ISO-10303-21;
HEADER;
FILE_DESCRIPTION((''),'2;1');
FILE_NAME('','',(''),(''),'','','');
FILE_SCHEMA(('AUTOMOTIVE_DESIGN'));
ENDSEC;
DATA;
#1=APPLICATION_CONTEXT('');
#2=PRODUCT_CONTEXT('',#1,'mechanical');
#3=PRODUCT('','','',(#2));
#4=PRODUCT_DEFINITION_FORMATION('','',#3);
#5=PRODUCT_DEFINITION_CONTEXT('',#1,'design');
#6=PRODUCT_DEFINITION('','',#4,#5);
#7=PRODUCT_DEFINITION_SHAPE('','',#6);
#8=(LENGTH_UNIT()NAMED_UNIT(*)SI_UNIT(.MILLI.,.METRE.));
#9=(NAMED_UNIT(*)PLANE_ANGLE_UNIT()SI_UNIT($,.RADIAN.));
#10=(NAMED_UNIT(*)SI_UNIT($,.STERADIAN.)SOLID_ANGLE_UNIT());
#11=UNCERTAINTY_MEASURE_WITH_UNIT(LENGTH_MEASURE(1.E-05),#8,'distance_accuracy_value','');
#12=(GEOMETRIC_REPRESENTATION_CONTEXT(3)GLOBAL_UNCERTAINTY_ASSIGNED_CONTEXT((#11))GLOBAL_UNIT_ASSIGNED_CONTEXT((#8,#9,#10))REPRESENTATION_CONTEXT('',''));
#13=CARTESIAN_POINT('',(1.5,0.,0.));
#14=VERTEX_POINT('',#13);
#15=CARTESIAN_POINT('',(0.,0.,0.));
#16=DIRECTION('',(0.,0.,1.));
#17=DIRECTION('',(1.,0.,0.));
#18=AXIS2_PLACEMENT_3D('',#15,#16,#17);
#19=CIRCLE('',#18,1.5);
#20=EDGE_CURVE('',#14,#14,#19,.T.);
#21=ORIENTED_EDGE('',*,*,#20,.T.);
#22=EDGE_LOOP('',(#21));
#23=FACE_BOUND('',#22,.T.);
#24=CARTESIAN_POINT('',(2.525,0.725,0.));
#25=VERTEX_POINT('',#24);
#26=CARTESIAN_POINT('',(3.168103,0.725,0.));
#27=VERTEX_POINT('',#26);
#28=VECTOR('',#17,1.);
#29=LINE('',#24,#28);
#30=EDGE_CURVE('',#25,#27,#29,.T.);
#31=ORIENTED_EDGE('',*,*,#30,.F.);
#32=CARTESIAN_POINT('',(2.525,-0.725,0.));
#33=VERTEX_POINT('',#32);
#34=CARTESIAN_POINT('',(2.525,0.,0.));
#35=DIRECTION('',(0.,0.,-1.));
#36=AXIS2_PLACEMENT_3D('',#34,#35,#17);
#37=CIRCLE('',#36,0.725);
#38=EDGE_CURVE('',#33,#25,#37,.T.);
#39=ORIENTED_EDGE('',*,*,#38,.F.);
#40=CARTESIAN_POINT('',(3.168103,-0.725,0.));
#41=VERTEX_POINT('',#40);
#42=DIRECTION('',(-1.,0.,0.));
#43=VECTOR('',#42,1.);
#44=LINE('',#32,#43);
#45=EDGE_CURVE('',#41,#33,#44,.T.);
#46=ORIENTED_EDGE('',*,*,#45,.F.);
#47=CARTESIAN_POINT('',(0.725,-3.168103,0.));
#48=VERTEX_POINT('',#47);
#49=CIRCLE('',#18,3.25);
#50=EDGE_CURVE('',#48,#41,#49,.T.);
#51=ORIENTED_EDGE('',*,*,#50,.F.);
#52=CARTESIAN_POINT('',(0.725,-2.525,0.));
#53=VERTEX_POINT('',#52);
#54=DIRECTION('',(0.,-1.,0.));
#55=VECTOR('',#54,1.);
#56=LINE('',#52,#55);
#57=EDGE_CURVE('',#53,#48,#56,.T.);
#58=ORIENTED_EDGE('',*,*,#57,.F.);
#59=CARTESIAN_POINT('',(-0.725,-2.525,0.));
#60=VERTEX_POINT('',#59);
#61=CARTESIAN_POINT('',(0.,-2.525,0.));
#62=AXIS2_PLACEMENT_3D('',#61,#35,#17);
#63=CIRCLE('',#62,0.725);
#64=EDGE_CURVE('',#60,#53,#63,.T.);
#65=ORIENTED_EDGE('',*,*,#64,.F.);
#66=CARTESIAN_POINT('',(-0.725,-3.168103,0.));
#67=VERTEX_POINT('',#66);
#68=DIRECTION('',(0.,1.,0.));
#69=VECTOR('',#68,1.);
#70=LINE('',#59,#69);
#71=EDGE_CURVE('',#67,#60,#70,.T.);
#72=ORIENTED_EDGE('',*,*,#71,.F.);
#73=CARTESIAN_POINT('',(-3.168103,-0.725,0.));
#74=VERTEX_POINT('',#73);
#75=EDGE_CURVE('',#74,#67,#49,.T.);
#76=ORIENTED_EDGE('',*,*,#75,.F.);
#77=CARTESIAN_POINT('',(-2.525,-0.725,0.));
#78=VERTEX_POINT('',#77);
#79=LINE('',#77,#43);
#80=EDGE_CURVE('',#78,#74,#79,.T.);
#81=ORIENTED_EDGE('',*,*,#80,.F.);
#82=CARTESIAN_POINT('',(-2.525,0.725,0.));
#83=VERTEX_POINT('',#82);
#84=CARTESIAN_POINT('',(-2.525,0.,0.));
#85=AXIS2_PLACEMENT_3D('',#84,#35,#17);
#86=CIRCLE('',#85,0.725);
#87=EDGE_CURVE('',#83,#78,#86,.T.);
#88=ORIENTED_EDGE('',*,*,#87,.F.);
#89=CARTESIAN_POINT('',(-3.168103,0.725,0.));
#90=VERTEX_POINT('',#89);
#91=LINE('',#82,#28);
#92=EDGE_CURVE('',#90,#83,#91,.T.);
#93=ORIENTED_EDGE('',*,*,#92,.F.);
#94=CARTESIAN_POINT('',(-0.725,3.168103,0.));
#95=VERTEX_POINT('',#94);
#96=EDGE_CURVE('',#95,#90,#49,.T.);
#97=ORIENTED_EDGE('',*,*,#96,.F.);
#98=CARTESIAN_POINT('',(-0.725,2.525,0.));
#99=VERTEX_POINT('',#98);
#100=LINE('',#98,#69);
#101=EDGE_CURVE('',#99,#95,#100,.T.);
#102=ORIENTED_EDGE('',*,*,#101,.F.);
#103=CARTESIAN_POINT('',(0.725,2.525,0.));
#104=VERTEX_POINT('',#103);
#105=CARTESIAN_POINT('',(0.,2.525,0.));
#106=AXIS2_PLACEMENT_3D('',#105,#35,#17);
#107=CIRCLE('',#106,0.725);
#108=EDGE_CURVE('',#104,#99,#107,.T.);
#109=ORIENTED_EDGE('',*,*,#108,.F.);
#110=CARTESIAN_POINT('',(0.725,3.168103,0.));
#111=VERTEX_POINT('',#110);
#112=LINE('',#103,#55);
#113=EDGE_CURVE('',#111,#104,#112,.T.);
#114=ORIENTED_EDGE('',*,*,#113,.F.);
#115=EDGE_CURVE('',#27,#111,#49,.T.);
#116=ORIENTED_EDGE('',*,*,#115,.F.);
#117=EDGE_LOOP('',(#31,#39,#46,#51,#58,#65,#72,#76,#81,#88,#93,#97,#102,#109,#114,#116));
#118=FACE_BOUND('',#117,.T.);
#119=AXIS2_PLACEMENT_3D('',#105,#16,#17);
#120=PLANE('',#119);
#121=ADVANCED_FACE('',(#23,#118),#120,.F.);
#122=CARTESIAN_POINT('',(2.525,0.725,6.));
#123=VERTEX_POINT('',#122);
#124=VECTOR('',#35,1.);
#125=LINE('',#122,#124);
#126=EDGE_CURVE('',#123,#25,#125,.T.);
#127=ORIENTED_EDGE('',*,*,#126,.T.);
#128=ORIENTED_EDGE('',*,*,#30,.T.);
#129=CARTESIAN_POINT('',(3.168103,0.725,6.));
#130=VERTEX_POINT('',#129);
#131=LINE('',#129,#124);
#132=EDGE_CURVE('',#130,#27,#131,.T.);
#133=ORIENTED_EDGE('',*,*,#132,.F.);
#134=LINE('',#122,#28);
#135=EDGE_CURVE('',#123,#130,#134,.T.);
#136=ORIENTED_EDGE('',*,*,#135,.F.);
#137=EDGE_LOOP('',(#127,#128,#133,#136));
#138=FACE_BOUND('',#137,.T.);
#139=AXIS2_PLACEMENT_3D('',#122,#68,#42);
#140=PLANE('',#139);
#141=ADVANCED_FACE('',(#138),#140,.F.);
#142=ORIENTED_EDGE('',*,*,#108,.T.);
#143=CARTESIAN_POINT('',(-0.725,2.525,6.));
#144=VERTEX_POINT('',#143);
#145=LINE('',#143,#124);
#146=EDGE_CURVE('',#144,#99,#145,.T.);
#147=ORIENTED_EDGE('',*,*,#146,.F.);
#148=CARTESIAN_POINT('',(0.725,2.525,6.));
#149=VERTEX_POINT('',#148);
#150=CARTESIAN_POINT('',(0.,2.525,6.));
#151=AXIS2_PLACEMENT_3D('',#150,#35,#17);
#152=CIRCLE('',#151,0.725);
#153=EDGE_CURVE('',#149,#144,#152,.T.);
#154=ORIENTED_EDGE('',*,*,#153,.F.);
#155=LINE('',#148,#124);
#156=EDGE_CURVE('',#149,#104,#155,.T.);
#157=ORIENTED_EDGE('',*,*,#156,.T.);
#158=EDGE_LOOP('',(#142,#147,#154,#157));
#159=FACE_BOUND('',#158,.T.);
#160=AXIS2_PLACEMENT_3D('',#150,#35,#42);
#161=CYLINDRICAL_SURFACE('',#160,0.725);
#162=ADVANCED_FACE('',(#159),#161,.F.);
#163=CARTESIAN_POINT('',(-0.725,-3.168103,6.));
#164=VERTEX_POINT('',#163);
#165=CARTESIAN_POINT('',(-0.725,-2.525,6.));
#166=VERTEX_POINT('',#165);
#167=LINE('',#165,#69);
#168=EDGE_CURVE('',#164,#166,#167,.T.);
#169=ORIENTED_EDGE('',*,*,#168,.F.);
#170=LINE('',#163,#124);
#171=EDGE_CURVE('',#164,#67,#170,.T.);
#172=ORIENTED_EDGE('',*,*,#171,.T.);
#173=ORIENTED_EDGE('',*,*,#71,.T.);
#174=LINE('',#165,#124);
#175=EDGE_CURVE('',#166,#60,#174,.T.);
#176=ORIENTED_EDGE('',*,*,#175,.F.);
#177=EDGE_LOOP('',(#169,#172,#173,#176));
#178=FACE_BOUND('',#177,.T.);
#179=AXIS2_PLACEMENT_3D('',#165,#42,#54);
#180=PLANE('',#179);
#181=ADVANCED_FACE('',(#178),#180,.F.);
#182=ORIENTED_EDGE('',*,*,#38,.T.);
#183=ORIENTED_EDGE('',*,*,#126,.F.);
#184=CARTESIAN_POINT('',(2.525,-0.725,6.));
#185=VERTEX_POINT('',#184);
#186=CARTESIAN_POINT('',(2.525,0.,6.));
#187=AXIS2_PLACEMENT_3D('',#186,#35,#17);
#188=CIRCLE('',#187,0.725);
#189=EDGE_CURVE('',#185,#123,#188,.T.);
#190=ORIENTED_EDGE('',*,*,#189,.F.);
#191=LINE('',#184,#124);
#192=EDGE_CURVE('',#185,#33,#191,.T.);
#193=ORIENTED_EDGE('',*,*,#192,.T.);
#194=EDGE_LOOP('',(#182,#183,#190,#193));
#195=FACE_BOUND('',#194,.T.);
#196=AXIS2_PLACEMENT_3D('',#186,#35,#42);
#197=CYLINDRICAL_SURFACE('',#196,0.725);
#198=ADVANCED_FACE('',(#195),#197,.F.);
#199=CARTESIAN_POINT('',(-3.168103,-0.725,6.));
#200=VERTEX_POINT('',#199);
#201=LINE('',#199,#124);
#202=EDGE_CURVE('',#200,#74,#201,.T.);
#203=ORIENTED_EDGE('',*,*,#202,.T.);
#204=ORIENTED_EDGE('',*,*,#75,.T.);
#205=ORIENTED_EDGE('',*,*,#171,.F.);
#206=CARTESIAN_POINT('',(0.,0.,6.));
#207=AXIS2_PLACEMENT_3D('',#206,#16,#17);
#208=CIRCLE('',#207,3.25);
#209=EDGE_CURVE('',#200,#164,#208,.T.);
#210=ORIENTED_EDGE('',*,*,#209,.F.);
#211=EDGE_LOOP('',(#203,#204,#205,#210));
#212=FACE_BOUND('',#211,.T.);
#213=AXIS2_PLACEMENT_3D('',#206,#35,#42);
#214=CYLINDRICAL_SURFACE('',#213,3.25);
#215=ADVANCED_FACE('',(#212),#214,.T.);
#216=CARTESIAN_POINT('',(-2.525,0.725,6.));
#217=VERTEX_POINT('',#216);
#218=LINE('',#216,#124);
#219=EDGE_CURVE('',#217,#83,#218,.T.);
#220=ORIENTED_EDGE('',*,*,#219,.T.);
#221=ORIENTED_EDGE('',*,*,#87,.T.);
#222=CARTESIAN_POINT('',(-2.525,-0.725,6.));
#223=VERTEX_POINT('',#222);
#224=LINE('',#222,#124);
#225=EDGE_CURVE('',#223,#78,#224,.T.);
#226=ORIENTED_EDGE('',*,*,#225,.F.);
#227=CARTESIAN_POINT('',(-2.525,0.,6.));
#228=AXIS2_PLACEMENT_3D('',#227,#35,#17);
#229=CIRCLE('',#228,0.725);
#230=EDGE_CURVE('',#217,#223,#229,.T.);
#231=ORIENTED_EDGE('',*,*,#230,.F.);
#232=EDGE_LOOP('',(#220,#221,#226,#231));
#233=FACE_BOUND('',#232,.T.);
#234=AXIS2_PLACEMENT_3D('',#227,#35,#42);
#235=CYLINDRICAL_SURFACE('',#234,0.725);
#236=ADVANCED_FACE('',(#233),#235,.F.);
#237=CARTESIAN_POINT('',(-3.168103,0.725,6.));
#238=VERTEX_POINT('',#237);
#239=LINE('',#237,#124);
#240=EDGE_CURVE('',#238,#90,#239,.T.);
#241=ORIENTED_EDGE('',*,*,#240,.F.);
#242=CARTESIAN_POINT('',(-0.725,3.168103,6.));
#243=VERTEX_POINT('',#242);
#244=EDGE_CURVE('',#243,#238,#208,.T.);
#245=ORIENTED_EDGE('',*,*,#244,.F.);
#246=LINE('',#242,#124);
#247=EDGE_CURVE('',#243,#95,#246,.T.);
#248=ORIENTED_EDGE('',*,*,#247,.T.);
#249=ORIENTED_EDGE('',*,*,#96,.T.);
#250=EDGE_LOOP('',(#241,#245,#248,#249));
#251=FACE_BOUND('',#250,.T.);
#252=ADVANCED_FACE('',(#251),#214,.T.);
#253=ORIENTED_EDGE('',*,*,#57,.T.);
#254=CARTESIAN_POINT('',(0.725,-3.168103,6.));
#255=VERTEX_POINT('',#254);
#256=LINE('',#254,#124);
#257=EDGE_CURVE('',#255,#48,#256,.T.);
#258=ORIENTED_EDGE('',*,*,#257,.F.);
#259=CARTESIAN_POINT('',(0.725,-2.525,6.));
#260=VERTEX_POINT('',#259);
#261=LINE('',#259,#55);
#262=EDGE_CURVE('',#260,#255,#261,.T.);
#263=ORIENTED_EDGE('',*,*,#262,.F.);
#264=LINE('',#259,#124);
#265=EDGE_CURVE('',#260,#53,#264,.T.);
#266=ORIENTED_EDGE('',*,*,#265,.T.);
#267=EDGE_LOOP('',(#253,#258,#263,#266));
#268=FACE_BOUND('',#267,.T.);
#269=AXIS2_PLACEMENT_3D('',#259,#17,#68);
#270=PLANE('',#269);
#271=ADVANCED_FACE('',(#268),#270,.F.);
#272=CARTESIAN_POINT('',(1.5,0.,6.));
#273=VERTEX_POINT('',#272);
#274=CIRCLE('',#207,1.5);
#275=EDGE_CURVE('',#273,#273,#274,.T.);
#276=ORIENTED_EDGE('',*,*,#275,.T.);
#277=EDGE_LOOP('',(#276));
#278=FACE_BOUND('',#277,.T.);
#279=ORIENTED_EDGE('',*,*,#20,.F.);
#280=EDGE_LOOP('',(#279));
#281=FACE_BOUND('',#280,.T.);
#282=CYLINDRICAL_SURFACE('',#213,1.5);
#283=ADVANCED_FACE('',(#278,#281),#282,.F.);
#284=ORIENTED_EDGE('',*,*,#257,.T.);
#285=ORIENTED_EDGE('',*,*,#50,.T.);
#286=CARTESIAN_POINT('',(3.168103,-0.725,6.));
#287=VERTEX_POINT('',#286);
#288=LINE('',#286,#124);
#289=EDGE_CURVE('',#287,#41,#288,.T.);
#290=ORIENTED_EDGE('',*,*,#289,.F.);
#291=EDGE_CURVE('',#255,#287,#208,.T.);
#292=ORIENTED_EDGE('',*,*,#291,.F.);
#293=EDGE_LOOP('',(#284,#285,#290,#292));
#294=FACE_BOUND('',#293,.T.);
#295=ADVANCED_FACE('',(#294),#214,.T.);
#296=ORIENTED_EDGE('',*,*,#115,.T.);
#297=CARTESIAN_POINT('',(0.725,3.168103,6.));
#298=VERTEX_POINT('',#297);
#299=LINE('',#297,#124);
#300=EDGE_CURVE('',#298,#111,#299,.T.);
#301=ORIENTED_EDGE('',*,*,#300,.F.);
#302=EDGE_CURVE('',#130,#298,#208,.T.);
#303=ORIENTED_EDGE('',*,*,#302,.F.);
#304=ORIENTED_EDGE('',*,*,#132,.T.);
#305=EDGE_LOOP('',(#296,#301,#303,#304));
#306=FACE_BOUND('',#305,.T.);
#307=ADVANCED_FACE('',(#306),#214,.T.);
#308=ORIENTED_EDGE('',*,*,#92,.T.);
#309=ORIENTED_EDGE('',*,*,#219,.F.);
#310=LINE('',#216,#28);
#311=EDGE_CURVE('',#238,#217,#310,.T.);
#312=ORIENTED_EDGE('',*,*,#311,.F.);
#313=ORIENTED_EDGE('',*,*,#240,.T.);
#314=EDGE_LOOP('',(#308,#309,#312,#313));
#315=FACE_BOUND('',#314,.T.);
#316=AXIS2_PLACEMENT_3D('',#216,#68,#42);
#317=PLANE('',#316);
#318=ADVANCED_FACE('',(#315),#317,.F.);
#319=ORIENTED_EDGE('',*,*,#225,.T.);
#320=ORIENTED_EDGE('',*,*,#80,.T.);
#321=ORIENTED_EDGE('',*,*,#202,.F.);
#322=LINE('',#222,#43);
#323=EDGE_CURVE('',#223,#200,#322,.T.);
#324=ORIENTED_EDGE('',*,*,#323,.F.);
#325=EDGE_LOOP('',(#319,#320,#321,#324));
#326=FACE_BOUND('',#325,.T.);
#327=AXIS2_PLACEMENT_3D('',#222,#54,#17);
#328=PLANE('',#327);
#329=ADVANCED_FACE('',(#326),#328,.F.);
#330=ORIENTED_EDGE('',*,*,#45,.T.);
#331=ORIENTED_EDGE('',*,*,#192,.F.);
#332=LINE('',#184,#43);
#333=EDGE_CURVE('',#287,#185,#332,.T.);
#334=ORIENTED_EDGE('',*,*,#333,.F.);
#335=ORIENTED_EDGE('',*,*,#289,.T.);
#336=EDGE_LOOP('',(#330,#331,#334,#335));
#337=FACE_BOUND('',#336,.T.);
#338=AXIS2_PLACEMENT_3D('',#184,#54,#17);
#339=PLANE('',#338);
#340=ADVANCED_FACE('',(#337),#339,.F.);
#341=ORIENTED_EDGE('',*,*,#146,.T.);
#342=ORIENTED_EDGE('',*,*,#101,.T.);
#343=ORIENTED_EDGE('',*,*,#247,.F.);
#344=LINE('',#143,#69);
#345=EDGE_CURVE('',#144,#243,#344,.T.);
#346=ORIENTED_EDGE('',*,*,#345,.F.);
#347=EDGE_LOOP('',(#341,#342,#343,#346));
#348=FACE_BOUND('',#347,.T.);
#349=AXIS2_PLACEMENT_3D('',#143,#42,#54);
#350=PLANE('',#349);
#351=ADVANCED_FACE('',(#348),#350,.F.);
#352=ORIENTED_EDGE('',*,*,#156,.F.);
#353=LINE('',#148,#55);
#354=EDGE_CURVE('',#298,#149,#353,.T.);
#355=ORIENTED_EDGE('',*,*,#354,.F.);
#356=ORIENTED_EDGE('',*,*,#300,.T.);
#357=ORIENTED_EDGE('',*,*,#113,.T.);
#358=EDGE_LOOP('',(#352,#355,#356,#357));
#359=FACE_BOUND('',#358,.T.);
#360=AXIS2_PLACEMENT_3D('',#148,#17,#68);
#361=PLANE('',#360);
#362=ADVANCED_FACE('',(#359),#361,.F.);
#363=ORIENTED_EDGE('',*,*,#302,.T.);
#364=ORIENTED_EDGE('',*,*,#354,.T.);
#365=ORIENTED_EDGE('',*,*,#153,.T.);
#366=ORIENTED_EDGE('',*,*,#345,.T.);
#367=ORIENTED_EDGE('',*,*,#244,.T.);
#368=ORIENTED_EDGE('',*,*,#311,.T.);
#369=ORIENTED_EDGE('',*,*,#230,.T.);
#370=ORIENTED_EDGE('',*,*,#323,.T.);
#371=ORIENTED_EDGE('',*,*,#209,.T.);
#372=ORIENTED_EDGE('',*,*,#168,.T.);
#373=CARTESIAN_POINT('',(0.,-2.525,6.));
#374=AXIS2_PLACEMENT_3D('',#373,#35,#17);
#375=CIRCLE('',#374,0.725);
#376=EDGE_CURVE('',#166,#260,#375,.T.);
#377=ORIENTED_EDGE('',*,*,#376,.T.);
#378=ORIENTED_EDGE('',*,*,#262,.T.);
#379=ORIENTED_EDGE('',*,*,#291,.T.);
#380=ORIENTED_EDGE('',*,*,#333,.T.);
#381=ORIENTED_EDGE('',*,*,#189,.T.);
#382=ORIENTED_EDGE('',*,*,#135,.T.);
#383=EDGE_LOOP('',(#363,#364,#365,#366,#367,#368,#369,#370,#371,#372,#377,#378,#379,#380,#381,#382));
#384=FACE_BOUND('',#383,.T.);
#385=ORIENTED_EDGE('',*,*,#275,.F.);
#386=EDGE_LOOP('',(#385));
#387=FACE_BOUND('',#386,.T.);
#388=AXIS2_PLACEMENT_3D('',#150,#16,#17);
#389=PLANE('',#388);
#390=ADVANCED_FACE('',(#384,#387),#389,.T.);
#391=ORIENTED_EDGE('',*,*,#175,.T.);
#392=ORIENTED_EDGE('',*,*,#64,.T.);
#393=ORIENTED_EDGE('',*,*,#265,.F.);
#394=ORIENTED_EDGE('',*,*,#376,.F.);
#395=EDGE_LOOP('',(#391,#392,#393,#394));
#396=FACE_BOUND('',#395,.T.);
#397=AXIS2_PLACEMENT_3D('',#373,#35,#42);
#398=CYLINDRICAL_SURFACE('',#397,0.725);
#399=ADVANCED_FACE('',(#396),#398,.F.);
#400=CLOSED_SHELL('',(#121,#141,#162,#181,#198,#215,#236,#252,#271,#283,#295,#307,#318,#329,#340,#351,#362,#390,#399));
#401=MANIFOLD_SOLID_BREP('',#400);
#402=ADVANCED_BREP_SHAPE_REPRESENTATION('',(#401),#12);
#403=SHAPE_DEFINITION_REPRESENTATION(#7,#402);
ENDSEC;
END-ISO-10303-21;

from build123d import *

# Parameters (mm, degrees)
ESQUISSE1_R        = 1.5
BOSS_EXTRU_2_DEPTH = 6


with BuildPart() as part:
    # Esquisse1 → Boss.-Extru.2 (new body)
    with BuildSketch(Plane.XY):
        with BuildLine():
            Line((-0.725, 2.525), (-0.725, 3.168102745))
            ThreePointArc((-0.725, 3.168102745), (-2.298097039, 2.298097039), (-3.168102745, 0.725))
            Line((-3.168102745, 0.725), (-2.525, 0.725))
            ThreePointArc((-2.525, 0.725), (-1.8, 0), (-2.525, -0.725))
            Line((-2.525, -0.725), (-3.168102745, -0.725))
            ThreePointArc((-3.168102745, -0.725), (-2.298097039, -2.298097039), (-0.725, -3.168102745))
            Line((-0.725, -3.168102745), (-0.725, -2.525))
            ThreePointArc((-0.725, -2.525), (0, -1.8), (0.725, -2.525))
            Line((0.725, -2.525), (0.725, -3.168102745))
            ThreePointArc((0.725, -3.168102745), (2.298097039, -2.298097039), (3.168102745, -0.725))
            Line((3.168102745, -0.725), (2.525, -0.725))
            ThreePointArc((2.525, -0.725), (1.8, 0), (2.525, 0.725))
            Line((2.525, 0.725), (3.168102745, 0.725))
            ThreePointArc((3.168102745, 0.725), (2.298097039, 2.298097039), (0.725, 3.168102745))
            Line((0.725, 3.168102745), (0.725, 2.525))
            ThreePointArc((0.725, 2.525), (0, 1.8), (-0.725, 2.525))
        make_face()
        Circle(ESQUISSE1_R, mode=Mode.SUBTRACT)
    extrude(amount=BOSS_EXTRU_2_DEPTH)


solid = part.part
